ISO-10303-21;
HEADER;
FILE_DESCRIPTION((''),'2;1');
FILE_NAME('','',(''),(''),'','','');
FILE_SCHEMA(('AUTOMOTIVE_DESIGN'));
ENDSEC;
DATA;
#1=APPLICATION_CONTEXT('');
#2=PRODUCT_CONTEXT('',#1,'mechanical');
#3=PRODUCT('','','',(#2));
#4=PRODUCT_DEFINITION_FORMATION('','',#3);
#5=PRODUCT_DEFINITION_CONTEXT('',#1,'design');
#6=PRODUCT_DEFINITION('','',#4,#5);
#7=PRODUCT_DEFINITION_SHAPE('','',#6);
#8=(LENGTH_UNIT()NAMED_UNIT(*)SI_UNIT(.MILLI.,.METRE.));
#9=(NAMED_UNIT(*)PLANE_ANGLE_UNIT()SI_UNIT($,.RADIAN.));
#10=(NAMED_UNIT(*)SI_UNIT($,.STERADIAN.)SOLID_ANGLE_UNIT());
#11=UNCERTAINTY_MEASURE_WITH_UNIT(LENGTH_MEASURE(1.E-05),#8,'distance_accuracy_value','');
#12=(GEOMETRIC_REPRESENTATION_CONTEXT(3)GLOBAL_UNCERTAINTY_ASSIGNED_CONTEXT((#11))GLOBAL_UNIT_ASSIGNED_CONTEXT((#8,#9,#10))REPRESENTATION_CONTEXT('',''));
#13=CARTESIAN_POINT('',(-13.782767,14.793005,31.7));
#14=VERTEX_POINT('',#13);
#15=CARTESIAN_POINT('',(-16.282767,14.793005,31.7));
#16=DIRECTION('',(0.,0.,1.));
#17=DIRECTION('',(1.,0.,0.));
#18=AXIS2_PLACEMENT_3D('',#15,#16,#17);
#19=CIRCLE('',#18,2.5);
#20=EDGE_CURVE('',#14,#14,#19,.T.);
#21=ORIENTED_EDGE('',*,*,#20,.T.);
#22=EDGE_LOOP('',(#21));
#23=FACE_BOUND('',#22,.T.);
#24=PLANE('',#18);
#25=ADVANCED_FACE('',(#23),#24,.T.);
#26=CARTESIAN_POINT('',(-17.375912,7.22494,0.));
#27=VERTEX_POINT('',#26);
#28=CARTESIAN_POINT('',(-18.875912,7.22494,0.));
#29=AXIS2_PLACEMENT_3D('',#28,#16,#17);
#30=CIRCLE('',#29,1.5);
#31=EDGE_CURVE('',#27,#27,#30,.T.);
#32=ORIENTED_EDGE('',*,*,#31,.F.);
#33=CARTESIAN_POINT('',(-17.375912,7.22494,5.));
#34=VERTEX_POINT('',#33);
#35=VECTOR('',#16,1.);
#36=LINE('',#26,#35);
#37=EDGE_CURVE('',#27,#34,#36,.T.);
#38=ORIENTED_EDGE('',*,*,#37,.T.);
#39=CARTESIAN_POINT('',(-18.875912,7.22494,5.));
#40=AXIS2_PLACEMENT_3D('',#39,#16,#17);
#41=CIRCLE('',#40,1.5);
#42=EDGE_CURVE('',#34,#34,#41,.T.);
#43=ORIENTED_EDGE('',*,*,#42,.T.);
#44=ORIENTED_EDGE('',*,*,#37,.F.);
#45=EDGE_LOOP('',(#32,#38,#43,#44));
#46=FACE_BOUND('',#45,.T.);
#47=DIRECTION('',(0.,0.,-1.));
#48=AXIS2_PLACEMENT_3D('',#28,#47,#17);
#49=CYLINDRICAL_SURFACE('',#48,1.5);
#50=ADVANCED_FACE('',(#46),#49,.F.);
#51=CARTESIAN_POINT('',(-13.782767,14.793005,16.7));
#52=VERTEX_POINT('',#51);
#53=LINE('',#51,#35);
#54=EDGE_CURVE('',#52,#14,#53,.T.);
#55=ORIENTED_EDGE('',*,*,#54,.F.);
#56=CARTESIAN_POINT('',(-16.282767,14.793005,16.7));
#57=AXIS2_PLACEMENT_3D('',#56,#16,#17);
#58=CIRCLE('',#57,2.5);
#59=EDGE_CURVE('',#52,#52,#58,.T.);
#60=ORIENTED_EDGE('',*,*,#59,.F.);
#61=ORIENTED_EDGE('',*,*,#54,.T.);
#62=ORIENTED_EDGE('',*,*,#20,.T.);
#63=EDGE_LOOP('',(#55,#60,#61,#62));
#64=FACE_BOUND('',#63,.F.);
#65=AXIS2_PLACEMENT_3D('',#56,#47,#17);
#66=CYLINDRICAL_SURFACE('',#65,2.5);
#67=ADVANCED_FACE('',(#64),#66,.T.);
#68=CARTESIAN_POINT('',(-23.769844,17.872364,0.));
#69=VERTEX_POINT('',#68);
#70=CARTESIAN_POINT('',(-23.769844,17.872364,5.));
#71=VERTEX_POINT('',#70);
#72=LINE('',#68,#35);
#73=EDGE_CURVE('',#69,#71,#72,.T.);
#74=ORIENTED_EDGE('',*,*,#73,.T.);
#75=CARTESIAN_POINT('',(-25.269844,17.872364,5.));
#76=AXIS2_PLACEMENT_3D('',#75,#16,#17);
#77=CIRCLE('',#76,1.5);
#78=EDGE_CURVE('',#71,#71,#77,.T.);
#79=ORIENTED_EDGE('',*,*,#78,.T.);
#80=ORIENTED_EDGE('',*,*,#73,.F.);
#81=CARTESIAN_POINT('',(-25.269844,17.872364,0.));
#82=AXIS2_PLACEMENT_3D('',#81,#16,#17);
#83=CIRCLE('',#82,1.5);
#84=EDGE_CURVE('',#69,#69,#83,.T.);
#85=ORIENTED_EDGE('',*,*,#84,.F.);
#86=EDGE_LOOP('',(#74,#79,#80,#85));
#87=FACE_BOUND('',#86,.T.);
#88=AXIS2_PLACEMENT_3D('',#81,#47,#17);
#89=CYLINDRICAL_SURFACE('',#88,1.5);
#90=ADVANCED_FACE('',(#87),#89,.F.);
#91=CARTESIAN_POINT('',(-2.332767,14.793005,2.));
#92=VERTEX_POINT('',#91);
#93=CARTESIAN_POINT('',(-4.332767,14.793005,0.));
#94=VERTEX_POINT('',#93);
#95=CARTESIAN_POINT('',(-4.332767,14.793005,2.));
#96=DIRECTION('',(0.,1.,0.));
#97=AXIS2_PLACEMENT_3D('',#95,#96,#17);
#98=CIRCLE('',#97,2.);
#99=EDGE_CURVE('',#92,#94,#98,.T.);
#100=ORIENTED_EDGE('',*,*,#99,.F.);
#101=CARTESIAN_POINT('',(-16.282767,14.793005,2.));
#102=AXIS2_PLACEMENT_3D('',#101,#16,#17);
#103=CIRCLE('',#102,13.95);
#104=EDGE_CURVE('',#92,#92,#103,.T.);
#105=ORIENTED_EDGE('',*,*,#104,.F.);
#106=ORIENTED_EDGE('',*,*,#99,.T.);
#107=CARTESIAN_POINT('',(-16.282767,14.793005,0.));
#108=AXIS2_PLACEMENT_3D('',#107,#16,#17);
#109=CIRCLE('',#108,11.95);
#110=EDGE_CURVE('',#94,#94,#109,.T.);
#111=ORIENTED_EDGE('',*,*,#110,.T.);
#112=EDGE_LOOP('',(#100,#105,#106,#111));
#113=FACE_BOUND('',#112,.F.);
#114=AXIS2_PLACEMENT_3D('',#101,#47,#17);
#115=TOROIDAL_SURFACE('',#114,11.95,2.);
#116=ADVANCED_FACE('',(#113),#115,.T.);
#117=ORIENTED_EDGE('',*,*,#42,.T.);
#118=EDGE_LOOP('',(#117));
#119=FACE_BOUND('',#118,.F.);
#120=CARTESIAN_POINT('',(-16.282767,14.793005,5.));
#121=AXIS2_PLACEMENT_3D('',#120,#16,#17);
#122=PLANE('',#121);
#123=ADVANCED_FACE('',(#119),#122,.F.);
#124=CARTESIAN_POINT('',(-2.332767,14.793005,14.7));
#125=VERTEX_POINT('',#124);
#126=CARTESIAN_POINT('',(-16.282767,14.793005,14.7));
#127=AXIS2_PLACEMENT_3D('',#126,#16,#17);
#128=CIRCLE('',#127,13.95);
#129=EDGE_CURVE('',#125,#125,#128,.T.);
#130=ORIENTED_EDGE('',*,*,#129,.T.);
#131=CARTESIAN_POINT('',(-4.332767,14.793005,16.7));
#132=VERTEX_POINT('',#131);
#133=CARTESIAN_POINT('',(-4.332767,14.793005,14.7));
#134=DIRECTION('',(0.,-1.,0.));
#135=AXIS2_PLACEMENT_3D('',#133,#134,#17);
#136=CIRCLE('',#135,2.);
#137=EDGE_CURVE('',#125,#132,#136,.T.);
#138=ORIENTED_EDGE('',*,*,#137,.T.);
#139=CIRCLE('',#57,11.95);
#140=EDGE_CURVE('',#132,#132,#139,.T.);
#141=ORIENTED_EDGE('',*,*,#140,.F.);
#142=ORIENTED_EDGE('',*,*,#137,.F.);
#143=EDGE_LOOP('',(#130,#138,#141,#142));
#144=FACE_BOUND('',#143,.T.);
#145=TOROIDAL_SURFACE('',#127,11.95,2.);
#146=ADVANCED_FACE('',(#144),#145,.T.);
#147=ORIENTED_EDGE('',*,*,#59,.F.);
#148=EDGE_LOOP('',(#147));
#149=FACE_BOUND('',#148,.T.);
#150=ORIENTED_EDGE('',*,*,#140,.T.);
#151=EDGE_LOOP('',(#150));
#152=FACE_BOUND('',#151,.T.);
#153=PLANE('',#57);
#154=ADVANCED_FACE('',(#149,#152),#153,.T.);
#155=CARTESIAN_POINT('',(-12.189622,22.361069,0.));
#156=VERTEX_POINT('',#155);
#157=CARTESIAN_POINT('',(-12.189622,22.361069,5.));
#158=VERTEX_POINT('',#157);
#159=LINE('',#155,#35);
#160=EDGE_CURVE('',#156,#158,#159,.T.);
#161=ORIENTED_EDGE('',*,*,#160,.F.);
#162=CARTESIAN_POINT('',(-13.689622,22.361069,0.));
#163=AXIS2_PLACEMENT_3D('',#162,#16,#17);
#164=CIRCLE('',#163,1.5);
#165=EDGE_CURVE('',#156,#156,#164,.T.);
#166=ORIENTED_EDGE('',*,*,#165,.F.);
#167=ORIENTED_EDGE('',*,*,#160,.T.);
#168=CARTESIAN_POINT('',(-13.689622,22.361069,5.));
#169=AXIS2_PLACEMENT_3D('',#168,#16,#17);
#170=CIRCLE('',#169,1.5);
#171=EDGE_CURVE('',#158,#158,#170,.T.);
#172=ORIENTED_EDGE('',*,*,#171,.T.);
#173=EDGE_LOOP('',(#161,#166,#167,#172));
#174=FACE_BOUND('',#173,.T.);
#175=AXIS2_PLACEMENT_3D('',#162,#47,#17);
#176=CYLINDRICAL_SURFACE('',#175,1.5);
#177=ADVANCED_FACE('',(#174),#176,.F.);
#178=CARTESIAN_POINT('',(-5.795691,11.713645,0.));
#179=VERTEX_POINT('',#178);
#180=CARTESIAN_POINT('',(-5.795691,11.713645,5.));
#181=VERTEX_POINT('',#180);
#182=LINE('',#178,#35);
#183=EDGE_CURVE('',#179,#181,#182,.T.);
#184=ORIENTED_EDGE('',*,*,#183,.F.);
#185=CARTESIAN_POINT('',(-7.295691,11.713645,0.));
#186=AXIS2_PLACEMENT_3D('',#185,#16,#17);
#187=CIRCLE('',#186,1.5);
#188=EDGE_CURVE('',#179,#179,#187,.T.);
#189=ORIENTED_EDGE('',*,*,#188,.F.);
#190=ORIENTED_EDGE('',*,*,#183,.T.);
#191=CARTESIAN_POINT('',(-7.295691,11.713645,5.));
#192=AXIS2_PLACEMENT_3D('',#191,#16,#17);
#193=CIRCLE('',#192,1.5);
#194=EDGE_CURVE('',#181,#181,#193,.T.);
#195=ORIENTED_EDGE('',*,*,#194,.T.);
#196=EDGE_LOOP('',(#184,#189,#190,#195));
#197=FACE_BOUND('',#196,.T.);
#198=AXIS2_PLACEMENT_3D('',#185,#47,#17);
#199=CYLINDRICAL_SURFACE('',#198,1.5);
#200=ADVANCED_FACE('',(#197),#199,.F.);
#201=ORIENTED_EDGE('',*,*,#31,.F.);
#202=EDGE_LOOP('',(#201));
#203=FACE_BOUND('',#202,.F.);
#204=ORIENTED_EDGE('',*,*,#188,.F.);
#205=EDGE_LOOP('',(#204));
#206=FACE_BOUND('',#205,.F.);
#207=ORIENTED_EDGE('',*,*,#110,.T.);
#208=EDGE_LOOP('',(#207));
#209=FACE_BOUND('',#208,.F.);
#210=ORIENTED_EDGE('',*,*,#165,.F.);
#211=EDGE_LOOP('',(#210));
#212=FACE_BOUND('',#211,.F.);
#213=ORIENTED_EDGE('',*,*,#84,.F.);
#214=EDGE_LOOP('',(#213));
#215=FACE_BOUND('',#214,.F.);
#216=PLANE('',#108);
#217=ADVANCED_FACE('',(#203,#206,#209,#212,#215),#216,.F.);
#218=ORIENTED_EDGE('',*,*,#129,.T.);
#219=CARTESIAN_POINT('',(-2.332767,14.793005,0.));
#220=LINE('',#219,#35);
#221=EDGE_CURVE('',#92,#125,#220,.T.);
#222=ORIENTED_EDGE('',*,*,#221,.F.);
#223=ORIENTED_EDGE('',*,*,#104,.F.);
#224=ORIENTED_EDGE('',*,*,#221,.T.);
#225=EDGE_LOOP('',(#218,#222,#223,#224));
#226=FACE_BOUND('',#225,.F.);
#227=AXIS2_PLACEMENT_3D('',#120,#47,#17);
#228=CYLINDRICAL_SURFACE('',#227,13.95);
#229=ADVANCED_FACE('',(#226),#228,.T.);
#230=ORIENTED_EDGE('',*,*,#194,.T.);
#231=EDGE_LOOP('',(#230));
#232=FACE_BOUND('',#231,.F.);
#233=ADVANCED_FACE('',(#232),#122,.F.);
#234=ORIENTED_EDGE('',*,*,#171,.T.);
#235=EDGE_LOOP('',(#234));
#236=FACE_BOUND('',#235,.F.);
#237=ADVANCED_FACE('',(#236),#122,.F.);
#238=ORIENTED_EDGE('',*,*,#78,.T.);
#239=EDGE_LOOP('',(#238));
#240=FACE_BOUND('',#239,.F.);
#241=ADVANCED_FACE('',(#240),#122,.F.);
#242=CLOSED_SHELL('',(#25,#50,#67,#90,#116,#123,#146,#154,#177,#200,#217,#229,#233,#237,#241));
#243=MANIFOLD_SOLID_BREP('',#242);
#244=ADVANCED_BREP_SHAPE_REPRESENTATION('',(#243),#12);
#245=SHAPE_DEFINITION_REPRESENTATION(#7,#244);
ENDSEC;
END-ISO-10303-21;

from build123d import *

# Parameters (mm, degrees)
SKETCH_R     = 13.95
SKETCH_R_2   = 1.5
PAD_DEPTH    = 5
SKETCH001_R  = 13.95
PAD001_DEPTH = 11.7
SKETCH002_R  = 2.5
PAD002_DEPTH = 15
FILLET_R     = 2
FILLET001_R  = 2


with BuildPart() as part:
    # Sketch → Pad (new body)
    with BuildSketch(Plane.XY):
        with Locations((-16.282767, 14.793005)):
            Circle(SKETCH_R)
        with Locations((-25.269844, 17.872364)):
            Circle(SKETCH_R_2, mode=Mode.SUBTRACT)
        with Locations((-18.875912, 7.22494)):
            Circle(SKETCH_R_2, mode=Mode.SUBTRACT)
        with Locations((-7.295691, 11.713645)):
            Circle(SKETCH_R_2, mode=Mode.SUBTRACT)
        with Locations((-13.689622, 22.361069)):
            Circle(SKETCH_R_2, mode=Mode.SUBTRACT)
    extrude(amount=PAD_DEPTH)

    # Sketch001 → Pad001 (new body)
    with BuildSketch(Plane.XY.offset(5)):
        with Locations((-16.282767, 14.793005)):
            Circle(SKETCH001_R)
    extrude(amount=PAD001_DEPTH)

    # Sketch002 → Pad002 (new body)
    with BuildSketch(Plane.XY.offset(16.7)):
        with Locations((-16.282767, 14.793005)):
            Circle(SKETCH002_R)
    extrude(amount=PAD002_DEPTH)

    # Fillet
    fillet_edges = [part.edges().sort_by_distance(p)[0] for p in [
        (-30.232767, 14.793005, 16.7),
    ]]
    fillet(fillet_edges, radius=FILLET_R)

    # Fillet001
    fillet001_edges = [part.edges().sort_by_distance(p)[0] for p in [
        (-30.232767, 14.793005, 0),
    ]]
    fillet(fillet001_edges, radius=FILLET001_R)


solid = part.part
